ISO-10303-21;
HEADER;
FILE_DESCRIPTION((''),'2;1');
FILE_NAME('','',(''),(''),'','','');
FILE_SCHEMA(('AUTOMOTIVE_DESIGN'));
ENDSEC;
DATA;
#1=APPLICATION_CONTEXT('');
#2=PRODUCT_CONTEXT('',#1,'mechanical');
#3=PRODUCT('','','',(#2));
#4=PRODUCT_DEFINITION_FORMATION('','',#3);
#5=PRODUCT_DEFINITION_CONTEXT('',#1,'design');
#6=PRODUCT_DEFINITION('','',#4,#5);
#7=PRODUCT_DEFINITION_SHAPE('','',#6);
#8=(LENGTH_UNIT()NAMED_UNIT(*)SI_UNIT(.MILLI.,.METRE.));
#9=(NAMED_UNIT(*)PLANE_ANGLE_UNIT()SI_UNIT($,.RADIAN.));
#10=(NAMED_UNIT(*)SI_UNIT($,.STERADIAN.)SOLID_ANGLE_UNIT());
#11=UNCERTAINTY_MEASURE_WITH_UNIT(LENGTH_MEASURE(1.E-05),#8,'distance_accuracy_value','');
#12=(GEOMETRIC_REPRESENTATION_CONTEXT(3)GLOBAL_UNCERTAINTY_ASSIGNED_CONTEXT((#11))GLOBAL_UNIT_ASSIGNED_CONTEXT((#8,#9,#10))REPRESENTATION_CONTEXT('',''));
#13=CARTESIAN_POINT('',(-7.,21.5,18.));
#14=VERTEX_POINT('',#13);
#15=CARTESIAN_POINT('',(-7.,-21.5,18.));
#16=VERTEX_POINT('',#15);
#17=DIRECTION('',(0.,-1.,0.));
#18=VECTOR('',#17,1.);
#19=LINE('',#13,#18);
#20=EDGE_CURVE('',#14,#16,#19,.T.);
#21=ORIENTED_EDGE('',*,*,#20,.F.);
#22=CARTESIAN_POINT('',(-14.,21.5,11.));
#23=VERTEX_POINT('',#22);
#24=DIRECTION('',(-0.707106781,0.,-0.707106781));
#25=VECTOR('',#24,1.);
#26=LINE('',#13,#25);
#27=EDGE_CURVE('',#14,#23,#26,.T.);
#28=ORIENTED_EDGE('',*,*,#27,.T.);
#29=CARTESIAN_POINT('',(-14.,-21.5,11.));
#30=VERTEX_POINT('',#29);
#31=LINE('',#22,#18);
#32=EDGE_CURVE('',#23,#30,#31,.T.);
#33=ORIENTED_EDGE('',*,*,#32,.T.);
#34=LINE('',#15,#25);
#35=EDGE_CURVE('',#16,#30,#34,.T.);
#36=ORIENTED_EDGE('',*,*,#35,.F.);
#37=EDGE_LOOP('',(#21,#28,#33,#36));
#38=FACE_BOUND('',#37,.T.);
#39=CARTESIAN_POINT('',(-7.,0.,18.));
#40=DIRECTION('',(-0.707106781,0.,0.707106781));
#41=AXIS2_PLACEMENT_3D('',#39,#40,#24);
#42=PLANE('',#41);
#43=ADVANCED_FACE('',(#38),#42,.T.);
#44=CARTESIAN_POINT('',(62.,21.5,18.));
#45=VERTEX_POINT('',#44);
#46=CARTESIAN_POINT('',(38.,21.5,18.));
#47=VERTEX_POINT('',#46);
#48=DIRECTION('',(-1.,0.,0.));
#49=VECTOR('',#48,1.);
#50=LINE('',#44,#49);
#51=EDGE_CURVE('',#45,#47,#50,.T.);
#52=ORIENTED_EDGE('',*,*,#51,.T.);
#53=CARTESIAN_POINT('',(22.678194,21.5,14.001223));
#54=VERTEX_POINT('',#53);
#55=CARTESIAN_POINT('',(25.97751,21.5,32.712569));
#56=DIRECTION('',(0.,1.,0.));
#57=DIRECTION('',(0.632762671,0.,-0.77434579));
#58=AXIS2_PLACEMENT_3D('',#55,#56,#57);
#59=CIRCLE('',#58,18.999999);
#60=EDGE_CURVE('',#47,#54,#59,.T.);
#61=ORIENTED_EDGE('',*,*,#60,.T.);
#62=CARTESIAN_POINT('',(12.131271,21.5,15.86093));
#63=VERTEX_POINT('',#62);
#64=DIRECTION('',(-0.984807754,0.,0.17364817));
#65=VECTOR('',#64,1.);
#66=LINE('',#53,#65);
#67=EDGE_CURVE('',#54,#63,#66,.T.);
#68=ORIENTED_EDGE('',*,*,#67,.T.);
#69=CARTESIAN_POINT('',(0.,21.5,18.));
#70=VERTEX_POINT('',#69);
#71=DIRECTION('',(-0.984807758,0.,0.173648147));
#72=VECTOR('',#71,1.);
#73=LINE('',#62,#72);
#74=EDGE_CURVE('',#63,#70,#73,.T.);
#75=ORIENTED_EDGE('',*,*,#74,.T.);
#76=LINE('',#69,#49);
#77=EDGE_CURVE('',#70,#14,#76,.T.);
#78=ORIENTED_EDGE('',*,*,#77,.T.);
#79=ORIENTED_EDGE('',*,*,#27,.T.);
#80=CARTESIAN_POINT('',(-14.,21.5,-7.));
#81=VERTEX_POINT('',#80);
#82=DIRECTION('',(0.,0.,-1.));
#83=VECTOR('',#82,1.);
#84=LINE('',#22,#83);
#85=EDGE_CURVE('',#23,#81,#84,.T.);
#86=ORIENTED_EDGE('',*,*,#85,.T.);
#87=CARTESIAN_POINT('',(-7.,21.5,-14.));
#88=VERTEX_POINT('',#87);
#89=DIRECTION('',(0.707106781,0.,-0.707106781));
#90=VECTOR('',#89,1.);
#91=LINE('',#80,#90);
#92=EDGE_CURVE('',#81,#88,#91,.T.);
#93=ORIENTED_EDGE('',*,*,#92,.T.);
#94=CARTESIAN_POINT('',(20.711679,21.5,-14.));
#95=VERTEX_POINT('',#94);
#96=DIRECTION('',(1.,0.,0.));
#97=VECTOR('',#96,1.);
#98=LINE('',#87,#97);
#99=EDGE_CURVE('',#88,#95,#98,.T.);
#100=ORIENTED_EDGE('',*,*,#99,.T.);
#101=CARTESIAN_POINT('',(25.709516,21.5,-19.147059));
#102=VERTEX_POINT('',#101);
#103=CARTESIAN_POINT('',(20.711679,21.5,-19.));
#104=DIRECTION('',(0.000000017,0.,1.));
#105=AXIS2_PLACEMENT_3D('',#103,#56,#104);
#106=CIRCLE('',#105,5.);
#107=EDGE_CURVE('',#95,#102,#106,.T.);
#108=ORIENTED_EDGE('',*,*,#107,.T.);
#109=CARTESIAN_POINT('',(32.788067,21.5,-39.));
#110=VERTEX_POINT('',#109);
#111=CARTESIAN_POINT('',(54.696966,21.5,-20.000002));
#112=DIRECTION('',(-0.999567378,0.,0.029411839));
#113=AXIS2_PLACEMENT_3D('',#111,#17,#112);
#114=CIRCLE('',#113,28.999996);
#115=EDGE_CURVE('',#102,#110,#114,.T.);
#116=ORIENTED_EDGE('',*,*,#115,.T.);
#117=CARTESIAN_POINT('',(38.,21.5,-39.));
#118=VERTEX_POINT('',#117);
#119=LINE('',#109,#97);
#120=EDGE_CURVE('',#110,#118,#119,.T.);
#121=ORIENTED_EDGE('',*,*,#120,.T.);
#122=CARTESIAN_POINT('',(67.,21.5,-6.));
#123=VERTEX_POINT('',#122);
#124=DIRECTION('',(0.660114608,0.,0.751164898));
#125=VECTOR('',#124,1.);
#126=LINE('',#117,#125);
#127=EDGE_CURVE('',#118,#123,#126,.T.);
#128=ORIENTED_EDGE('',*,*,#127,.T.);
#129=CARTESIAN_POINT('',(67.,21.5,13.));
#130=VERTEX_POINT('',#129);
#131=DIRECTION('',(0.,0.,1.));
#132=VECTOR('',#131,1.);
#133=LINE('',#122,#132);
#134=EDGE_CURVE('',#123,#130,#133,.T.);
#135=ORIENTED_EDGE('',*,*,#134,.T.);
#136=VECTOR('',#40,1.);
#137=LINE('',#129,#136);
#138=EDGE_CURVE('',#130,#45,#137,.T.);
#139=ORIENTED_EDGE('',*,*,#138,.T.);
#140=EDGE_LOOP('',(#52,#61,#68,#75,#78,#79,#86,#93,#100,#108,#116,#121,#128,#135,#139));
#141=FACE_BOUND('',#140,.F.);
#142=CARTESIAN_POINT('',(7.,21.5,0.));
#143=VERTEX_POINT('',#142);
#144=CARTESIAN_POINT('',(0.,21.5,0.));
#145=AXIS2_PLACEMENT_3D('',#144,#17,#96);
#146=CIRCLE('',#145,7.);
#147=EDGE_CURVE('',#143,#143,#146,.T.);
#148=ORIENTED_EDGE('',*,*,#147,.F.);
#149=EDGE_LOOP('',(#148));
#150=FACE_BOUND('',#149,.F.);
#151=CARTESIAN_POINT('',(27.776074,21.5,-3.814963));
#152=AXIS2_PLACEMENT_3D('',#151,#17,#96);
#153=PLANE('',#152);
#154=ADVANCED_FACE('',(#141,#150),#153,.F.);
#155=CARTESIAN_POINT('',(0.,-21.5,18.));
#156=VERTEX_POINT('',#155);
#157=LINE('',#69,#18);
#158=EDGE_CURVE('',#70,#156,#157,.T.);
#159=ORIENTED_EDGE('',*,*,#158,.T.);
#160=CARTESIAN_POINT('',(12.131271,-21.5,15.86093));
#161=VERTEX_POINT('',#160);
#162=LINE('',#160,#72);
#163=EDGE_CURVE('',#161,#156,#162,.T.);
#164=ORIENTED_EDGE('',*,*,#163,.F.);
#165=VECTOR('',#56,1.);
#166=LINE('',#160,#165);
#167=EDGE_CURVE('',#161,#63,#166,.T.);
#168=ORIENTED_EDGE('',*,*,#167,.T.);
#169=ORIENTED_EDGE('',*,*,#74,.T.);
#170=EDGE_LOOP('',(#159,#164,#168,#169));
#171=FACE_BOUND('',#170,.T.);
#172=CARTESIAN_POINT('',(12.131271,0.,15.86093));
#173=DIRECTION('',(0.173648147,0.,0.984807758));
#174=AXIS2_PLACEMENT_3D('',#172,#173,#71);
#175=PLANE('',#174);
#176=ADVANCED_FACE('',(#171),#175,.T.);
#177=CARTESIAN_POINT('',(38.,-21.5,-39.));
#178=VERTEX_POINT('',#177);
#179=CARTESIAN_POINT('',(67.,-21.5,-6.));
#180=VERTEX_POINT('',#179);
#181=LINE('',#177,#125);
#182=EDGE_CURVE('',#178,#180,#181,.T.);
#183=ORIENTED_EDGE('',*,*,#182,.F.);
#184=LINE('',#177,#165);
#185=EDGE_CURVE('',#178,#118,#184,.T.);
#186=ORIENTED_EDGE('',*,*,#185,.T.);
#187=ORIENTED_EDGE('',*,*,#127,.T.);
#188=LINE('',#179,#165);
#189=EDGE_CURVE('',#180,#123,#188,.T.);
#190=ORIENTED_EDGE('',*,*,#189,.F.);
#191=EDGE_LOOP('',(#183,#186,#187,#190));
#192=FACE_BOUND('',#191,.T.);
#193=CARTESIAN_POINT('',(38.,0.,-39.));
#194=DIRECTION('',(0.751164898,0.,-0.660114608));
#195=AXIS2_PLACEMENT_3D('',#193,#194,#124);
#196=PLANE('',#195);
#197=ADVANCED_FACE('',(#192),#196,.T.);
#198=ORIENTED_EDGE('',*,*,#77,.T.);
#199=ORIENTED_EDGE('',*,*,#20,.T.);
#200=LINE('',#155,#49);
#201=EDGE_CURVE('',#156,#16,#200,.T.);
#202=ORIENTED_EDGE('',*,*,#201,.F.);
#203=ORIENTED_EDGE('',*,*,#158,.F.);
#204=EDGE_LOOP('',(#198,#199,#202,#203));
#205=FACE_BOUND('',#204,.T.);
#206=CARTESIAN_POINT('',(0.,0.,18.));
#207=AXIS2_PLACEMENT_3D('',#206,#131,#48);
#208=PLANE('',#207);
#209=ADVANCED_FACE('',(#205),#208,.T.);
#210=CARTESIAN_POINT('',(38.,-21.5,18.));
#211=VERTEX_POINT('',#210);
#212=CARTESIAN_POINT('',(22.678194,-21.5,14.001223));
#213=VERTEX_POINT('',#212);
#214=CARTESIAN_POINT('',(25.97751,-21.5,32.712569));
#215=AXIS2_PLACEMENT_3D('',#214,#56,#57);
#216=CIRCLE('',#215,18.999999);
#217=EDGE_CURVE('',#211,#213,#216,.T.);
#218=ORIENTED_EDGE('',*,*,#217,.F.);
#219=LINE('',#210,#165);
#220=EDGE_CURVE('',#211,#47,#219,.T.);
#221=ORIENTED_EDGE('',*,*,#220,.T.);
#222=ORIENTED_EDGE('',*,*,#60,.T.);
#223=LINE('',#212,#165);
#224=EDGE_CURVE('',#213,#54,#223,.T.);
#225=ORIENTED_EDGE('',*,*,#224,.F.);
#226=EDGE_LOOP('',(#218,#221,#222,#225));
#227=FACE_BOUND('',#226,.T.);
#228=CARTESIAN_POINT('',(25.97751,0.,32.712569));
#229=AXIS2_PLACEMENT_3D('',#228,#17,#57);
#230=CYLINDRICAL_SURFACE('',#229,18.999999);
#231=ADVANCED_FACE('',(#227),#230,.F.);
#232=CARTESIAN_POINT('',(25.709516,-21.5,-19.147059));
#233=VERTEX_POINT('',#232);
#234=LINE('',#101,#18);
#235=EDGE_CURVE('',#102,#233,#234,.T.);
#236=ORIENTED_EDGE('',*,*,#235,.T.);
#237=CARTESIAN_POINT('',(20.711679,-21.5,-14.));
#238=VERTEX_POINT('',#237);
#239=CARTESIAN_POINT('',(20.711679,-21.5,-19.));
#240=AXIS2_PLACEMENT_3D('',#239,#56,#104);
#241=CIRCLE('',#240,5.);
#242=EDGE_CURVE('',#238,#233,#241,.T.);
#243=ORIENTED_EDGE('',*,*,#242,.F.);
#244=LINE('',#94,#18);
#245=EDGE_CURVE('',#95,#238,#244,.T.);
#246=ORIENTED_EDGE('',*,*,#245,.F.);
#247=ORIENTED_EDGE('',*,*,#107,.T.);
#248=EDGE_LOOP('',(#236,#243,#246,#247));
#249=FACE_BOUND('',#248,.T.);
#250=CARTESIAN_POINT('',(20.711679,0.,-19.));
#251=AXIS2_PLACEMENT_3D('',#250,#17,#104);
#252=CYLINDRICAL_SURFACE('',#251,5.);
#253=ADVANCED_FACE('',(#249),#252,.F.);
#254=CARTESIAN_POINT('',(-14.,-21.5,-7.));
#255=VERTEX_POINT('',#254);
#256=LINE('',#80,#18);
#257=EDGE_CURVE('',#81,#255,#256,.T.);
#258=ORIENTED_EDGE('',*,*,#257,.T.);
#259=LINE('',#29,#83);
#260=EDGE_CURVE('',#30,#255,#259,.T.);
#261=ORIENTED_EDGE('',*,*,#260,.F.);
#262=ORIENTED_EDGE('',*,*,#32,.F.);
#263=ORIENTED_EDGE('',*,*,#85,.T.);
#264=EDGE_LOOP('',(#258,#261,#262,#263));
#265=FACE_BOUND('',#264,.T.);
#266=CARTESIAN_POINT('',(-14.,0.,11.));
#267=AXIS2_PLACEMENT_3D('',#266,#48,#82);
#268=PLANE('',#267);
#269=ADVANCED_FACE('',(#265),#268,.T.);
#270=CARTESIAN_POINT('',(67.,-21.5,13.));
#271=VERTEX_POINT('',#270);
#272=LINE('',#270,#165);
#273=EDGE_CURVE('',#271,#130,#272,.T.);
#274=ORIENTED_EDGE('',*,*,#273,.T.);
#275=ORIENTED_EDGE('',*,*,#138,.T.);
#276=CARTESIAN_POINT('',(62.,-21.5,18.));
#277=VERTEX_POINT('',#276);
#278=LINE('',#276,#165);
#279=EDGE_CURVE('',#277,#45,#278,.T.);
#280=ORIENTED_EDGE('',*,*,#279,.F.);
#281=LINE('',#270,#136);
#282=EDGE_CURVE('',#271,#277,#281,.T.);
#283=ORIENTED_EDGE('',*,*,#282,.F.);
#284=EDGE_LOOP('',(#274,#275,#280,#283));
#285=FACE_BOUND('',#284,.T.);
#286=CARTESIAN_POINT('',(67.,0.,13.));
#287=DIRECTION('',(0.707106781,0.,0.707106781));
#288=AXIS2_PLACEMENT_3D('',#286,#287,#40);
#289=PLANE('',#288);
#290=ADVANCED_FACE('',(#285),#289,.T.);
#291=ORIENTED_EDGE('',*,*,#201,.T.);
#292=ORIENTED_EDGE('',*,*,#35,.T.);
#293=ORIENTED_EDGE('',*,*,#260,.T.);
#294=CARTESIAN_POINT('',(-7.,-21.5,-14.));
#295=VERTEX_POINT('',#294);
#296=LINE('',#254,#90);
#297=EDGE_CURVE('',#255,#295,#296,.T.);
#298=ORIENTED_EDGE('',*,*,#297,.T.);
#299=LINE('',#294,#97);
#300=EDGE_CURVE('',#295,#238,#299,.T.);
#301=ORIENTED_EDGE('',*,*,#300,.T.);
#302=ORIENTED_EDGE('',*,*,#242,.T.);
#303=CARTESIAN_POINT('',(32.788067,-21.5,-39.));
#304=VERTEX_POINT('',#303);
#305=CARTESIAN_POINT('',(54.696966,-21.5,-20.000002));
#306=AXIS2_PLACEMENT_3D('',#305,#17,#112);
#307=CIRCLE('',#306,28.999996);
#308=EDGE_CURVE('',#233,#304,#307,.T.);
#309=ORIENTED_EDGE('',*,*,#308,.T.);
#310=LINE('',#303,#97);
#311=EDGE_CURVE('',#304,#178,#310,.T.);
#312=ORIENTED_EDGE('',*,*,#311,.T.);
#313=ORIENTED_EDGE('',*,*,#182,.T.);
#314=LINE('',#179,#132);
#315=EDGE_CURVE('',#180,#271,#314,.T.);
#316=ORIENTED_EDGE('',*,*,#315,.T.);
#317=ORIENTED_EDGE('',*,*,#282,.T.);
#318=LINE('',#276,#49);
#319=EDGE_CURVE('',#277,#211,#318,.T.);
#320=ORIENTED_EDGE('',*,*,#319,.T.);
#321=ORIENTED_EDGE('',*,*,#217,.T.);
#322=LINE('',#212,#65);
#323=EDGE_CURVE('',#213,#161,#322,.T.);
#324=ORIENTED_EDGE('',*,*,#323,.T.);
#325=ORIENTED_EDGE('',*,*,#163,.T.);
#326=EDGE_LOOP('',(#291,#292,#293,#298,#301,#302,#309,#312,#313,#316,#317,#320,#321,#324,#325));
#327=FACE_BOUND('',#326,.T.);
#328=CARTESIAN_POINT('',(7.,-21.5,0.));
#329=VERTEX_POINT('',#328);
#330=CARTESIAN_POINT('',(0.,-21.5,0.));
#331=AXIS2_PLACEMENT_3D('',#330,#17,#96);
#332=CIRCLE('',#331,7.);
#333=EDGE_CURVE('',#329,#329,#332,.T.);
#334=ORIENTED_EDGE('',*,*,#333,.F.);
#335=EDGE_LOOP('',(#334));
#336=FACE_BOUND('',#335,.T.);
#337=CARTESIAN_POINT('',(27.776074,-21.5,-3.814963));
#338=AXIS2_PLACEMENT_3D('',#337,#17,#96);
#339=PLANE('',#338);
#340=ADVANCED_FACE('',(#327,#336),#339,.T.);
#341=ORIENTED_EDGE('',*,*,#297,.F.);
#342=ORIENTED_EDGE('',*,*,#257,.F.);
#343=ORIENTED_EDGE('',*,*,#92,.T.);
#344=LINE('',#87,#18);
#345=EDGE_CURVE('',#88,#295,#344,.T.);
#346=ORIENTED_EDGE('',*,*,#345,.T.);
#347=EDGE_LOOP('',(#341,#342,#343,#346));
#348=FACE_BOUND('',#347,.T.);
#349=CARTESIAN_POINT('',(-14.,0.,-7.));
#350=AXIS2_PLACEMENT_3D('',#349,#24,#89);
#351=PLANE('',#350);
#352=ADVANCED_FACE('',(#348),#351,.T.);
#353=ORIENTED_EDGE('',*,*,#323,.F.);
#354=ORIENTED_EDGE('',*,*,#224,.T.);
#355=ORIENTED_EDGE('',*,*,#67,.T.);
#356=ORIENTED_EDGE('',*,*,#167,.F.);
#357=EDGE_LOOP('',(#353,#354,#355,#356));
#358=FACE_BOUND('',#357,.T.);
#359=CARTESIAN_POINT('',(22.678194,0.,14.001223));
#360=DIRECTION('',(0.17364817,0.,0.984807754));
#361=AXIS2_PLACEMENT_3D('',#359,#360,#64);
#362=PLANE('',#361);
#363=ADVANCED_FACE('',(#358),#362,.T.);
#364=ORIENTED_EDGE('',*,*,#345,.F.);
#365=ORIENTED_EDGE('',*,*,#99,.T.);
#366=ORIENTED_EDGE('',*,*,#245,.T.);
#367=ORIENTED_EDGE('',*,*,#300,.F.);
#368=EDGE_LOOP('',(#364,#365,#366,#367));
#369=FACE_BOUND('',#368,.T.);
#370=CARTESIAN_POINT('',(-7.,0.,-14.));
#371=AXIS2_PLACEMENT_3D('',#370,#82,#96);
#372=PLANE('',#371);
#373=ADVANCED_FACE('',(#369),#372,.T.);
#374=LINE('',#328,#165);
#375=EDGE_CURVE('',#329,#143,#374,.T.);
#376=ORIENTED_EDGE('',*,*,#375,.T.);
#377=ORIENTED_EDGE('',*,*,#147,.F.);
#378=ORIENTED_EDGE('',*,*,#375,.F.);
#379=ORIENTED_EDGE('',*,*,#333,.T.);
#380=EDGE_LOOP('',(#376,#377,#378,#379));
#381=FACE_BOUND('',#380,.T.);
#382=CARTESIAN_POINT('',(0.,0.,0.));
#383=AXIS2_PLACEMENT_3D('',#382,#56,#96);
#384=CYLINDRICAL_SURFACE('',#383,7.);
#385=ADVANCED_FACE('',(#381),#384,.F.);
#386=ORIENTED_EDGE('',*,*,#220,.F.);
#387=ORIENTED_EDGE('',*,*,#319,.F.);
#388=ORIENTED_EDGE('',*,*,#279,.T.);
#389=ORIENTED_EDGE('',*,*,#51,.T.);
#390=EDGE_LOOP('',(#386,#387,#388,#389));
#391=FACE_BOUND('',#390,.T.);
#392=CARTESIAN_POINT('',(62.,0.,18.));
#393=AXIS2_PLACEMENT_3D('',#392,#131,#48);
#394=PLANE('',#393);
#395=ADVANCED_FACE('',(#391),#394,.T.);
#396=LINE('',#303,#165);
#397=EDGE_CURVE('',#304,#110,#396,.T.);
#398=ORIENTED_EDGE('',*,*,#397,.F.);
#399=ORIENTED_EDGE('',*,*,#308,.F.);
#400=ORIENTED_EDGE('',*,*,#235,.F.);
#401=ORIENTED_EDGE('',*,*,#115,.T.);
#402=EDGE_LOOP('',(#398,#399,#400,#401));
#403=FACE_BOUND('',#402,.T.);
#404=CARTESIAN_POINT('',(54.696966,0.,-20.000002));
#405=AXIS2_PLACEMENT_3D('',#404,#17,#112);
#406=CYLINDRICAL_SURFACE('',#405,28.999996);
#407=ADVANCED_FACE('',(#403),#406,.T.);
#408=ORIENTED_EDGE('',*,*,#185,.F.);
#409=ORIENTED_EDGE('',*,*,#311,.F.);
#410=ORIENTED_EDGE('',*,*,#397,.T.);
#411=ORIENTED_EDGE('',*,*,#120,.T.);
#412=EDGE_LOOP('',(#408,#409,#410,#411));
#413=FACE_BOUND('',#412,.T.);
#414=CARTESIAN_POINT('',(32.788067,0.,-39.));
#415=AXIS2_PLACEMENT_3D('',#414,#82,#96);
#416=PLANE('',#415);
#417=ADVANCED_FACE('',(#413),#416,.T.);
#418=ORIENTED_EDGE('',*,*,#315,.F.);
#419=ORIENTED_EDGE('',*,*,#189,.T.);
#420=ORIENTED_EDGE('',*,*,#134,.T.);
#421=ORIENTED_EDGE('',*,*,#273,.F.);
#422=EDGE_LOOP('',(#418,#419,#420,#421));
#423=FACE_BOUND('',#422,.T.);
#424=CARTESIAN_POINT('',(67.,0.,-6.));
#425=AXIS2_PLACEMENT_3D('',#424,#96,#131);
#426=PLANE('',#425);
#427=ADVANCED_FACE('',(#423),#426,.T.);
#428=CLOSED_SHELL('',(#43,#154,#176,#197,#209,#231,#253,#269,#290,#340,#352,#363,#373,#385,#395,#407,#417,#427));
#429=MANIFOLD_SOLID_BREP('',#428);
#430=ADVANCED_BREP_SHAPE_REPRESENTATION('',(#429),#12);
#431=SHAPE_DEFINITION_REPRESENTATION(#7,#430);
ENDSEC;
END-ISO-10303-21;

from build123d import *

# Parameters (mm, degrees)
F0_R     = 7
F1_DEPTH = 21.5


with BuildPart() as f1:
    # F0 (on Front) → F1 (new body, symmetric)
    with BuildSketch(Plane.XZ):
        with BuildLine():
            Line((12.131271, 15.86093), (0, 18))
            Line((0, 18), (-7, 18))
            Line((-7, 18), (-14, 11))
            Line((-14, 11), (-14, -7))
            Line((-14, -7), (-7, -14))
            Line((-7, -14), (0, -14))
            Line((0, -14), (20.711679, -14))
            ThreePointArc((20.711679, -14), (24.298829, -15.516847), (25.709516, -19.147059))
            ThreePointArc((25.709516, -19.147059), (27.381322, -29.739374), (32.788067, -39))
            Line((32.788067, -39), (38, -39))
            Line((38, -39), (67, -6))
            Line((67, -6), (67, 13))
            Line((67, 13), (62, 18))
            Line((62, 18), (38, 18))
            ThreePointArc((38, 18), (30.77553, 14.328365), (22.678194, 14.001223))
            Line((22.678194, 14.001223), (12.131271, 15.86093))
        make_face()
        Circle(F0_R, mode=Mode.SUBTRACT)
    extrude(amount=F1_DEPTH, both=True)


solid = f1.part
